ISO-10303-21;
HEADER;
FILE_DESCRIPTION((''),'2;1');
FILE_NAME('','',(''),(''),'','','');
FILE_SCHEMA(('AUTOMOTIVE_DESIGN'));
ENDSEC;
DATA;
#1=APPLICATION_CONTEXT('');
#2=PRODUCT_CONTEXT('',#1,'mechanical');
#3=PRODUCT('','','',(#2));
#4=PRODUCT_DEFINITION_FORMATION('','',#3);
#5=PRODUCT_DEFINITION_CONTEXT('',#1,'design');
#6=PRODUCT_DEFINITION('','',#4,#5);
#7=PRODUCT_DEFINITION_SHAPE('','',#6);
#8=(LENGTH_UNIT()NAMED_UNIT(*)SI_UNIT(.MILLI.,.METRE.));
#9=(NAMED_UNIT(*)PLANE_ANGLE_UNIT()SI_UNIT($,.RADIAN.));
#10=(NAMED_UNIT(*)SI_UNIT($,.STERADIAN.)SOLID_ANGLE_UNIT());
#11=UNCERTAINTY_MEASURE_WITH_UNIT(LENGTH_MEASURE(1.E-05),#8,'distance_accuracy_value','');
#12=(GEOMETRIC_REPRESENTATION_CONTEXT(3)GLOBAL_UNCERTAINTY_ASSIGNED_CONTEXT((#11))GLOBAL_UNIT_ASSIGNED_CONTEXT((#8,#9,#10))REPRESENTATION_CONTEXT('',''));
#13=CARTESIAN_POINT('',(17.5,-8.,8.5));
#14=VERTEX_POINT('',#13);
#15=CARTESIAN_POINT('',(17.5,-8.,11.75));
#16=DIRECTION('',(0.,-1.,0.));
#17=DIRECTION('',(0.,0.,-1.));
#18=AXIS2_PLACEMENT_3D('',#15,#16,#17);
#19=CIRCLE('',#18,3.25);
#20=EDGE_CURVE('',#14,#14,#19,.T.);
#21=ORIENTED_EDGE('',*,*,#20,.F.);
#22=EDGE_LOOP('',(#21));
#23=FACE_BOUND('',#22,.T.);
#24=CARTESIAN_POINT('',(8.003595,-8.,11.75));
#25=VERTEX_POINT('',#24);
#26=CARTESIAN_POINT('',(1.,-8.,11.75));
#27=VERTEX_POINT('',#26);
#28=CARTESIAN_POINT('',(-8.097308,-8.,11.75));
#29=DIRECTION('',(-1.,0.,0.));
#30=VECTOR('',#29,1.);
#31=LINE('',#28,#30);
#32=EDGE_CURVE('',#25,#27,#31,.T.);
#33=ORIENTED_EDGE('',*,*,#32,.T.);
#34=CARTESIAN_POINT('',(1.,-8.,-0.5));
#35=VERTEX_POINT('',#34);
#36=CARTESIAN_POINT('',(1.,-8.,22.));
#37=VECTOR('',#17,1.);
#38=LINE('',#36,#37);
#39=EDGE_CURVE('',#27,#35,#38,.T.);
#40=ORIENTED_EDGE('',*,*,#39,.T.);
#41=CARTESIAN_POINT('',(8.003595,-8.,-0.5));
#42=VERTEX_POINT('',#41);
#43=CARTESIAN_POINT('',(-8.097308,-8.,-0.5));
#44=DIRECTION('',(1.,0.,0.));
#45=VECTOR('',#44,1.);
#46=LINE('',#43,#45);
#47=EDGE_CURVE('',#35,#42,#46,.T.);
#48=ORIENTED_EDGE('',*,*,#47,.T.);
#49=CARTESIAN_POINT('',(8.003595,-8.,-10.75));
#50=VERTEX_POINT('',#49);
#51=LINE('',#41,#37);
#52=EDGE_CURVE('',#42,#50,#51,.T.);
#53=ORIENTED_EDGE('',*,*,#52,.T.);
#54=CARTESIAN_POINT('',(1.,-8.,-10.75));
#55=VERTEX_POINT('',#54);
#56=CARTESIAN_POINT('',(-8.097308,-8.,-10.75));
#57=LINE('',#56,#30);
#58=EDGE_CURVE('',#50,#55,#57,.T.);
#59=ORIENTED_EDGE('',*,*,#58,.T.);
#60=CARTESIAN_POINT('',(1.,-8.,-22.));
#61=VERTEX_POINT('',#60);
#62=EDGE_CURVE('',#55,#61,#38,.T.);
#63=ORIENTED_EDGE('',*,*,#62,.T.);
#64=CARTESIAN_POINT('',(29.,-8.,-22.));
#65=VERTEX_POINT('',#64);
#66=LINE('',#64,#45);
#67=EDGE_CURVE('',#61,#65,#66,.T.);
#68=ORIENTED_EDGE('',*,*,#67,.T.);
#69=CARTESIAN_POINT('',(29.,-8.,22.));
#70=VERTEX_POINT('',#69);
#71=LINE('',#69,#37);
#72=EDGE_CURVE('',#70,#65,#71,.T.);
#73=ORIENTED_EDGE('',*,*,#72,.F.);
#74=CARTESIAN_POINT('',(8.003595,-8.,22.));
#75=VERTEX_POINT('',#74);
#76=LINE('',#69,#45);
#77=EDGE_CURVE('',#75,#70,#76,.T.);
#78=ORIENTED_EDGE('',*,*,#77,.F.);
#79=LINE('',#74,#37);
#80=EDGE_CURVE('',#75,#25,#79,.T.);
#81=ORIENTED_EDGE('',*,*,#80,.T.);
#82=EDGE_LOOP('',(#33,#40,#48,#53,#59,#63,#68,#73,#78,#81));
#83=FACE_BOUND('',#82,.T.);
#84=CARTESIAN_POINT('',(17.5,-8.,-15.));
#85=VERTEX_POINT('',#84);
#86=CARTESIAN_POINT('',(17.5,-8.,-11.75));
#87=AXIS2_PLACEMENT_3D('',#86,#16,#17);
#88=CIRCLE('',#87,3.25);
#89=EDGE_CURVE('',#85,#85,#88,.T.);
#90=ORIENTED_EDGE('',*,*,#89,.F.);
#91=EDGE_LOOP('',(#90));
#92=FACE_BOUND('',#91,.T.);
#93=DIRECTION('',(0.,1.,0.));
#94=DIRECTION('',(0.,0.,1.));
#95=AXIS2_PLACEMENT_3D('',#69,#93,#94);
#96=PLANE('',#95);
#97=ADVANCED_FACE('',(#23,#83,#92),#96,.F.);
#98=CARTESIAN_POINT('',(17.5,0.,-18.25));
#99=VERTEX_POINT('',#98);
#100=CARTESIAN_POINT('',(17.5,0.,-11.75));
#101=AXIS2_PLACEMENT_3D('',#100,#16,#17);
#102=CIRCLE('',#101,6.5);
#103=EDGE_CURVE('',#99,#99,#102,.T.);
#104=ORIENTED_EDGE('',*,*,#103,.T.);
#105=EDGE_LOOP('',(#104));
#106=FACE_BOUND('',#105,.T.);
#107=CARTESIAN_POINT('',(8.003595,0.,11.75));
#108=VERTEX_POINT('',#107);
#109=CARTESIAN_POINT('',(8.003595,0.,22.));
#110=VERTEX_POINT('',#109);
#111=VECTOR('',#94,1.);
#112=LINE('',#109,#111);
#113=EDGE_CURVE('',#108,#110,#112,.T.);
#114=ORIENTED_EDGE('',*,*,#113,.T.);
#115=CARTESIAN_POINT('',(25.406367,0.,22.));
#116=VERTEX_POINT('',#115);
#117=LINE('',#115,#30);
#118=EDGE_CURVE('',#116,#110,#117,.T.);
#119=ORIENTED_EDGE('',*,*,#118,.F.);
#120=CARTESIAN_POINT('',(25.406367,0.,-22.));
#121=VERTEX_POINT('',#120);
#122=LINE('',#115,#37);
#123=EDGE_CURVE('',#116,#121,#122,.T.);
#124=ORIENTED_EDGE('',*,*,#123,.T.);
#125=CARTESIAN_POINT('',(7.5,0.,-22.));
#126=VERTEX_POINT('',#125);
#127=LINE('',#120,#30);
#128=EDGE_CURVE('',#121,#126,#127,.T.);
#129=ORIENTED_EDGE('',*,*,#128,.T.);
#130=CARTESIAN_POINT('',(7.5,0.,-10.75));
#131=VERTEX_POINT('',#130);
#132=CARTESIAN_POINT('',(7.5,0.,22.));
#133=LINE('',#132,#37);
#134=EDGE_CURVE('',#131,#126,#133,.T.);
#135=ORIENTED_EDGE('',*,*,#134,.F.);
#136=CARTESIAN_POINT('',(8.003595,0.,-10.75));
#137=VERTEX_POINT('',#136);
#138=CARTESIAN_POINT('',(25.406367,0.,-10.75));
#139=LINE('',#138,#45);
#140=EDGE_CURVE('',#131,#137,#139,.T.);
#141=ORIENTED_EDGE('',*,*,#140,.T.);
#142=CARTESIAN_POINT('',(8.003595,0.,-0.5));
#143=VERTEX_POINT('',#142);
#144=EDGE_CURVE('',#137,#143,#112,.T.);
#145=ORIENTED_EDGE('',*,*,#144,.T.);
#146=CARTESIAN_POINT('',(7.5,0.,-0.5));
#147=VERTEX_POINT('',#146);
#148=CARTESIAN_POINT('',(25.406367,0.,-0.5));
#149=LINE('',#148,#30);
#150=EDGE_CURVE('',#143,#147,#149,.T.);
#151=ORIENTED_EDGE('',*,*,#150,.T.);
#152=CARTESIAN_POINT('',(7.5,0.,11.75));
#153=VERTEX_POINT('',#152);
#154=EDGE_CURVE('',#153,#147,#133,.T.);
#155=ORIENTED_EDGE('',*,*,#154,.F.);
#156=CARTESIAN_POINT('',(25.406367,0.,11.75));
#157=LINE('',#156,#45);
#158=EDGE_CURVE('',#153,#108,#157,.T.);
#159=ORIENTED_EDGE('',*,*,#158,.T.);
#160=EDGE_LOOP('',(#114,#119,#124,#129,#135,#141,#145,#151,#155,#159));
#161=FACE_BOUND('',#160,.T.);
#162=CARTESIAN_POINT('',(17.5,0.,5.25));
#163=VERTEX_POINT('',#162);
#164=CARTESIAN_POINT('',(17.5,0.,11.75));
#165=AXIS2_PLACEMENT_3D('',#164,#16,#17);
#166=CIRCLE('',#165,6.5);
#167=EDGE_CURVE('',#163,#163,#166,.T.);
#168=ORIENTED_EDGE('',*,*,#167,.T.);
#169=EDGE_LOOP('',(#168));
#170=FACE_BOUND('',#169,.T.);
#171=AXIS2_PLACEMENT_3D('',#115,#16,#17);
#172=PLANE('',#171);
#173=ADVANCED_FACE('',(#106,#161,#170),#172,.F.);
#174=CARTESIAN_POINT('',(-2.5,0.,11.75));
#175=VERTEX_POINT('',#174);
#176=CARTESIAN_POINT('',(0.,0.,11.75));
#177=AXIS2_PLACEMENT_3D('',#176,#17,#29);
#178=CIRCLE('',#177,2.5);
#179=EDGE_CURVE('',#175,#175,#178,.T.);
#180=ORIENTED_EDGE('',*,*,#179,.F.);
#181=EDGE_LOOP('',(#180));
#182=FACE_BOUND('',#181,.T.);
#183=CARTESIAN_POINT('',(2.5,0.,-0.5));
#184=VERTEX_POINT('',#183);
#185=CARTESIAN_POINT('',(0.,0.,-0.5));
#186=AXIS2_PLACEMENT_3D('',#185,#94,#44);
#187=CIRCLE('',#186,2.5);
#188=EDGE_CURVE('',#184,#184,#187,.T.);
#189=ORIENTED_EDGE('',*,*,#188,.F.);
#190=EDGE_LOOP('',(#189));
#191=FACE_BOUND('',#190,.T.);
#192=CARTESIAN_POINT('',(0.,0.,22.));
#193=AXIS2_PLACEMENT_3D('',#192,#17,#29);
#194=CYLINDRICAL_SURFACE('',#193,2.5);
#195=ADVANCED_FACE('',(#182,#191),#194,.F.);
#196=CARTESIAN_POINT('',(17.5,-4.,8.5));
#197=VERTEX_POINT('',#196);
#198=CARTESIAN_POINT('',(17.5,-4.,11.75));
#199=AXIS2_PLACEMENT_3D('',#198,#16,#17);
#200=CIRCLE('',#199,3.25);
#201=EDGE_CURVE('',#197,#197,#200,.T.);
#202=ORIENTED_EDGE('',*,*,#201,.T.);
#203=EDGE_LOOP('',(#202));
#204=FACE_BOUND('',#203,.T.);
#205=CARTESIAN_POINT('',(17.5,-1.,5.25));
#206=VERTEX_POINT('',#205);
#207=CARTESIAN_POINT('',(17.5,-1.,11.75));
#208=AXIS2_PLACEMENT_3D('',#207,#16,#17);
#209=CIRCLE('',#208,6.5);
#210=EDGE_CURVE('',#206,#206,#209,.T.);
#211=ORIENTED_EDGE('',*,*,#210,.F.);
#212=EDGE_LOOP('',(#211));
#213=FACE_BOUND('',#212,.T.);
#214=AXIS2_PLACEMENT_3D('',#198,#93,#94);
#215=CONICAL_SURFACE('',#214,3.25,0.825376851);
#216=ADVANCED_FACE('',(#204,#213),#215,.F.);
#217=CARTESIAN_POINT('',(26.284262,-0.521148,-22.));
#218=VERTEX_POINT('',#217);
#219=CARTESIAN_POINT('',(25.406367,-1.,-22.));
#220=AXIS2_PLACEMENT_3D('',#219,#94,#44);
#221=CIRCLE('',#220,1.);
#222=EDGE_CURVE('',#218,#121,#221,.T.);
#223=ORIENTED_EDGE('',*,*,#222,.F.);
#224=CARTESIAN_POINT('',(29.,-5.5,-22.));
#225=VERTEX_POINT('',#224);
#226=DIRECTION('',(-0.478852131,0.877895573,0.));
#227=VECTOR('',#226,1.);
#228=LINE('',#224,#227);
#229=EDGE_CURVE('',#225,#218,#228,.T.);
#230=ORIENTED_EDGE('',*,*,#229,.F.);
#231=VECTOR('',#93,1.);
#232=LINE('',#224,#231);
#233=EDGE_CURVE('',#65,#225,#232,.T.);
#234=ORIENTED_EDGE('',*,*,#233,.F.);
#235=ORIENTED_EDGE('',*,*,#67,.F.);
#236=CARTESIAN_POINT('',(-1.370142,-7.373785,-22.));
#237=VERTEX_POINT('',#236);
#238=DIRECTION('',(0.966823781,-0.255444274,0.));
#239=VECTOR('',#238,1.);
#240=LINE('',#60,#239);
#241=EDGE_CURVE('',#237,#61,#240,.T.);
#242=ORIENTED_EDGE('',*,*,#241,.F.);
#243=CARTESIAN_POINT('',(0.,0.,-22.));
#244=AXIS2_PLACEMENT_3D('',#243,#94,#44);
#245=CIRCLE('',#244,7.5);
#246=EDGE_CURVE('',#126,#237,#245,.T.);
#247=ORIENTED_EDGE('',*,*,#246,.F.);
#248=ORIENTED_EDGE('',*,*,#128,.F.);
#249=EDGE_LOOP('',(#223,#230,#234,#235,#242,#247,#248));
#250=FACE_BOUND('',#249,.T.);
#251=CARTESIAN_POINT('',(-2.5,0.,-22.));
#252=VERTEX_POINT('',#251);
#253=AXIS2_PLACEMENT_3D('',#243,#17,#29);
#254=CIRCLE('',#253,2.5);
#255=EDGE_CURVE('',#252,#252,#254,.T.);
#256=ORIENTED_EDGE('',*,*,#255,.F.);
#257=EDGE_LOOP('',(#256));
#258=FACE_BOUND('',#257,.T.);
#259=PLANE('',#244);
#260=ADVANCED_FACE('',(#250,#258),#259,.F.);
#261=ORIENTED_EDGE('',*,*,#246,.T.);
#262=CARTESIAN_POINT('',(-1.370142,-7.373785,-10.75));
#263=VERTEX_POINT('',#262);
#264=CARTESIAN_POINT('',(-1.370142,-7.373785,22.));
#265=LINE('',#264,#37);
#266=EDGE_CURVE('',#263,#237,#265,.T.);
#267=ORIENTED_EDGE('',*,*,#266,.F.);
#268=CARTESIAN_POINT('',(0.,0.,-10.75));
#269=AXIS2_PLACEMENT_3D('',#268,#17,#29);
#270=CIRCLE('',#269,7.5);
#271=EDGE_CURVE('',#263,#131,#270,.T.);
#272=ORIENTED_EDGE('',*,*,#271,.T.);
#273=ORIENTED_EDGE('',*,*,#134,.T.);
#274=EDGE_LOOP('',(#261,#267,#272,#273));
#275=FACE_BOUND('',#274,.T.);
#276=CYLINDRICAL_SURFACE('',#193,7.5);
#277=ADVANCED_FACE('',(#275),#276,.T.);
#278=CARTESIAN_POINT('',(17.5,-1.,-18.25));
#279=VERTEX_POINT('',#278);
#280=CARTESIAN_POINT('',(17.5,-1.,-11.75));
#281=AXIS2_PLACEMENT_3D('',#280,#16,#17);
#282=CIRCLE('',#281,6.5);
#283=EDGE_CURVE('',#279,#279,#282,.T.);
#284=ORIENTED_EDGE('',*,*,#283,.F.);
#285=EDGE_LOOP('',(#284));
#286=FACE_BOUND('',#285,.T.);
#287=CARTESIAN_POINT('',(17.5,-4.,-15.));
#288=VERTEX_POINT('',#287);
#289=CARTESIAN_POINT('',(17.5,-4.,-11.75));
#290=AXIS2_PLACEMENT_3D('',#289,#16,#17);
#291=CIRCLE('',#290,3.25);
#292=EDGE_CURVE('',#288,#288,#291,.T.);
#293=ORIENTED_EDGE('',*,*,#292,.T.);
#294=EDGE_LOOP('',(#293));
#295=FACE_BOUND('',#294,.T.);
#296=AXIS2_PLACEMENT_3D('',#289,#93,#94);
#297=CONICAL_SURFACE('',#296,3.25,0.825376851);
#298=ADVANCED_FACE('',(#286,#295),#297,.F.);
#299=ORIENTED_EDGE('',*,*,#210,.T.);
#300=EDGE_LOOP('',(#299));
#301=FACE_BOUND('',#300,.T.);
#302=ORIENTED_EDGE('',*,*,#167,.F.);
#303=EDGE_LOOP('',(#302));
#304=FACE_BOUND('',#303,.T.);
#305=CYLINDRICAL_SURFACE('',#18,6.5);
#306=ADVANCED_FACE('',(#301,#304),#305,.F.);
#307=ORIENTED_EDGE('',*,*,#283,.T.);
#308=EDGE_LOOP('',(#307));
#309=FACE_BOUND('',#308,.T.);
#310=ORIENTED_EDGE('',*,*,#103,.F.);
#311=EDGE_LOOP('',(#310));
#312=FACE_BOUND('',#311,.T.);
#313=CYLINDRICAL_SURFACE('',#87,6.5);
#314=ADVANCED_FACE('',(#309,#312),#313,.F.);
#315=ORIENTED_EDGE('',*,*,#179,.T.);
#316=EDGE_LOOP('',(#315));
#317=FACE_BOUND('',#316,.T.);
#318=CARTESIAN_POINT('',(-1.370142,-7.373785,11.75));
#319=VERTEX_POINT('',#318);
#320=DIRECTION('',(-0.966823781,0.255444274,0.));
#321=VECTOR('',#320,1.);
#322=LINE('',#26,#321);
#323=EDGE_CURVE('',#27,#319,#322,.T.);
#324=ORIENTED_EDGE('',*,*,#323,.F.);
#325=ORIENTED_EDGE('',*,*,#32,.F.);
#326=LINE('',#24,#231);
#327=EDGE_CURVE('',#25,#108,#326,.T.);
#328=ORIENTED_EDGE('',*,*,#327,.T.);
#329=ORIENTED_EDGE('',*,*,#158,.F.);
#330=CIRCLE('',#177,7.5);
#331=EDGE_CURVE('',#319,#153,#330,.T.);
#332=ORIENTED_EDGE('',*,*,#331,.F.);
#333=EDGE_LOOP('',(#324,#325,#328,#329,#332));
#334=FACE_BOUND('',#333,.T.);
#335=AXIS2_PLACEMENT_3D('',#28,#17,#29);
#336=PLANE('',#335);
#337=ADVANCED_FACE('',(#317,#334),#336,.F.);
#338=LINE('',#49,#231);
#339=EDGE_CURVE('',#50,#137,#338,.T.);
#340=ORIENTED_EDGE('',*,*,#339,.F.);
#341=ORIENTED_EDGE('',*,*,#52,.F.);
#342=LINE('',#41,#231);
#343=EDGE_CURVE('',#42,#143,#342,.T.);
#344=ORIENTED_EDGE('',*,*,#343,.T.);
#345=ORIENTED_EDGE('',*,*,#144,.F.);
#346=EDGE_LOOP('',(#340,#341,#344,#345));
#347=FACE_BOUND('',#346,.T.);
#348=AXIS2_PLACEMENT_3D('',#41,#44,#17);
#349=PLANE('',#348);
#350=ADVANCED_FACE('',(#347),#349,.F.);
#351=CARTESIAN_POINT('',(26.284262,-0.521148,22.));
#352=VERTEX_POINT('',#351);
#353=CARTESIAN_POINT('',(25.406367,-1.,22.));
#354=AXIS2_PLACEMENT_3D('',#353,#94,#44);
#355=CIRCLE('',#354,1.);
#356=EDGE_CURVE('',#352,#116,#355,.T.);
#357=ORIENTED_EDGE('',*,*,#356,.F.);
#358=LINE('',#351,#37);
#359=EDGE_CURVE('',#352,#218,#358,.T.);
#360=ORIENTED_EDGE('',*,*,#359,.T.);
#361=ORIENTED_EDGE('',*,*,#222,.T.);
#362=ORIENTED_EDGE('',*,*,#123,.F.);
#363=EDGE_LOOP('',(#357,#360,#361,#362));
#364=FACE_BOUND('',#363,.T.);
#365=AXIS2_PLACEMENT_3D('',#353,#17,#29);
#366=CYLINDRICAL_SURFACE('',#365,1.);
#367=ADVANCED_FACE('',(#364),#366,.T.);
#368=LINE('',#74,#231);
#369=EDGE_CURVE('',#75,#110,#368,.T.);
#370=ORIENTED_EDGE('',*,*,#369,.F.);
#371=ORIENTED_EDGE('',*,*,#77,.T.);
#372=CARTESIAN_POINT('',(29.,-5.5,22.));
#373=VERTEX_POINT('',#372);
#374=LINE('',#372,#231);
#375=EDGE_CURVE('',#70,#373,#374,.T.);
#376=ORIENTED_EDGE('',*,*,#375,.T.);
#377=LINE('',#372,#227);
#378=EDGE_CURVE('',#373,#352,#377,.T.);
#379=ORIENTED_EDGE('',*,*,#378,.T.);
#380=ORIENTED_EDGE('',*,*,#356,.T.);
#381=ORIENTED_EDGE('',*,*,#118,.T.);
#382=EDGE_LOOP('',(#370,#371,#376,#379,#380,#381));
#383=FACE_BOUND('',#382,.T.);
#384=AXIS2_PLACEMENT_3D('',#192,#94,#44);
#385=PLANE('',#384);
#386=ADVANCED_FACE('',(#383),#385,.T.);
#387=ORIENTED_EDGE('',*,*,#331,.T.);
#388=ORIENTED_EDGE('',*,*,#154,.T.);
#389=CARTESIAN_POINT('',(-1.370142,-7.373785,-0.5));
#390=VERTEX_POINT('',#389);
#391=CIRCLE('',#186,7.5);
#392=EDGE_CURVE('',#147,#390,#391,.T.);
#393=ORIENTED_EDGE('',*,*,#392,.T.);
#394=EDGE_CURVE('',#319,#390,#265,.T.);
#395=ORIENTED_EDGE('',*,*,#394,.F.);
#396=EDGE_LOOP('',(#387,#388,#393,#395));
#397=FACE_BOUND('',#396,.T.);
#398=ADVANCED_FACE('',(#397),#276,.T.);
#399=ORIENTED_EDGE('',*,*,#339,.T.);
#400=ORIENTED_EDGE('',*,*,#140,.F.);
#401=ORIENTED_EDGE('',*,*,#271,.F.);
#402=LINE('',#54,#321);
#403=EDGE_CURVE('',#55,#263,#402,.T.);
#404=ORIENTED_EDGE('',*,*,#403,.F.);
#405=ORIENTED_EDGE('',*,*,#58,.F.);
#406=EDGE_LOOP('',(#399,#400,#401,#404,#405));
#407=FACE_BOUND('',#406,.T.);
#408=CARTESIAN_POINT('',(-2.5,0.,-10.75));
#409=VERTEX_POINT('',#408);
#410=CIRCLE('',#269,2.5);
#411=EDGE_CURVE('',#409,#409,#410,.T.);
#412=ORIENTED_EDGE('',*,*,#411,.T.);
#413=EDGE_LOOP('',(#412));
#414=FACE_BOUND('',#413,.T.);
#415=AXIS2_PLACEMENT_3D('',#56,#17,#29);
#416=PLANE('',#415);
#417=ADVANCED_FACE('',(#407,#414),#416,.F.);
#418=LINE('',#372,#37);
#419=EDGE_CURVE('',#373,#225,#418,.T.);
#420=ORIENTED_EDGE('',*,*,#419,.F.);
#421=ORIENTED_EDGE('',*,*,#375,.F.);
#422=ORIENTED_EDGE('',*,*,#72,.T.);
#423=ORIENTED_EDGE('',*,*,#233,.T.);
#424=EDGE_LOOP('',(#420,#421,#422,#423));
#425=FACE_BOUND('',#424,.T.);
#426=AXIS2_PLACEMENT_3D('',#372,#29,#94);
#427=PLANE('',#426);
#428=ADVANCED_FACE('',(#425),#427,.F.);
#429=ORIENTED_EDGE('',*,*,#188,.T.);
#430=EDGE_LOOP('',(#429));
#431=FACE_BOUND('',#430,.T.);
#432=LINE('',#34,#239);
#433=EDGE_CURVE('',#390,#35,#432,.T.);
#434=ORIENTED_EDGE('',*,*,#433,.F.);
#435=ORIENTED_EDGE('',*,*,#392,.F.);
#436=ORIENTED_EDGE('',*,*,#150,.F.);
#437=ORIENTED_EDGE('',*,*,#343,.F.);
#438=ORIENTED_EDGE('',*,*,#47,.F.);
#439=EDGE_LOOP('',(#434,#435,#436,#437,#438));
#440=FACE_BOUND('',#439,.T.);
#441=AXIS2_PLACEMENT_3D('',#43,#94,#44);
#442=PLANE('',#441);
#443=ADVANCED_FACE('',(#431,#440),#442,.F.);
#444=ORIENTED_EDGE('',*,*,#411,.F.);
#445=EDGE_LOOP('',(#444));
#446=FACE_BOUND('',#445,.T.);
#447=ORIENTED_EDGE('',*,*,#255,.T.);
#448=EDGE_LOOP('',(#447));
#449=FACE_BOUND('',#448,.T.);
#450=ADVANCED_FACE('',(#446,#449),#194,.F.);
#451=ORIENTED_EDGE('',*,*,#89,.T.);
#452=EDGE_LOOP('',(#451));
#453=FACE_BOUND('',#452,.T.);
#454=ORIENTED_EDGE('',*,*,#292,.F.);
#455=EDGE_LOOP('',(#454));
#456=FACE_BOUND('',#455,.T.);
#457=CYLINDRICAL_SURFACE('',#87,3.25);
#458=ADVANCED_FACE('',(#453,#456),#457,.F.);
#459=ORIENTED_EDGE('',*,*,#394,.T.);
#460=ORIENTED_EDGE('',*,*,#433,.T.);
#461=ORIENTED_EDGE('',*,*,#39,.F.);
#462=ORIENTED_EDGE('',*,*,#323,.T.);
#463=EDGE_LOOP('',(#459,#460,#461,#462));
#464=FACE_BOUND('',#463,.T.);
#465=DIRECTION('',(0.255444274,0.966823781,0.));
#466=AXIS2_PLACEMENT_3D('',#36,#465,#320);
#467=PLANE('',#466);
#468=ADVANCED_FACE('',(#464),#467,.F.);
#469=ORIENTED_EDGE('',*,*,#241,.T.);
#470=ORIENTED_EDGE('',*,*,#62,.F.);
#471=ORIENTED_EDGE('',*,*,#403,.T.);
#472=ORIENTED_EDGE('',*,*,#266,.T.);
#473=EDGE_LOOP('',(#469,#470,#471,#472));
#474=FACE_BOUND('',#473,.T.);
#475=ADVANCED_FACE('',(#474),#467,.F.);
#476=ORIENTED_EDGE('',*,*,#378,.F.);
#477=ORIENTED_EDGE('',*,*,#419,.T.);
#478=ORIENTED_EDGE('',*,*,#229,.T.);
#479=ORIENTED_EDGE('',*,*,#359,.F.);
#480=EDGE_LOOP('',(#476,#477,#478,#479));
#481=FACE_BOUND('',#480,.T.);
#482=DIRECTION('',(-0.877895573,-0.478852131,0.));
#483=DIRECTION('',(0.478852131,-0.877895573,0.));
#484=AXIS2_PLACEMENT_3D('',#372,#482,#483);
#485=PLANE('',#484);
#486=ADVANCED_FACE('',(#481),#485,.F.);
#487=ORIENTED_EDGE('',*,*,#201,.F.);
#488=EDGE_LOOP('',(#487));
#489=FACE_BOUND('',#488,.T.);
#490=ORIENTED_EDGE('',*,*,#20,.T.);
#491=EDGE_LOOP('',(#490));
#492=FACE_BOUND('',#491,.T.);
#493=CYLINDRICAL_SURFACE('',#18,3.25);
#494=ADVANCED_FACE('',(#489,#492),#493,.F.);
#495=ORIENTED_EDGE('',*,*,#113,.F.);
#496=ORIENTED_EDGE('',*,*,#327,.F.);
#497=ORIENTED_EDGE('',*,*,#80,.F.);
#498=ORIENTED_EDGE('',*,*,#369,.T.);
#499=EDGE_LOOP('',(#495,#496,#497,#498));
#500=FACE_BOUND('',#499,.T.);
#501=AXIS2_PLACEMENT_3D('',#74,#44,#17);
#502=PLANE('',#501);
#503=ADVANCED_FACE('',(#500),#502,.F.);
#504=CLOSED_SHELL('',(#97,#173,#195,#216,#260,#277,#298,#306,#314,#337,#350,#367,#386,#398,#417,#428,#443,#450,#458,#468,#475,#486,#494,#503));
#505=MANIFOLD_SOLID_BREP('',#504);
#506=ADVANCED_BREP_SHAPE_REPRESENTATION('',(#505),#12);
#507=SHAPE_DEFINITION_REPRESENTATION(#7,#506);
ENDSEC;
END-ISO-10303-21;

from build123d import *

# Parameters (mm, degrees)
EXTRUDE_1_DEPTH          = 22
PATTERN_LINEAR_1_COUNT   = 2
PATTERN_LINEAR_1_PITCH   = 23.5
CUT_EXTRUDE_1_DEPTH      = 38.269290307
CUT_EXTRUDE_1_DEPTH_BACK = 38.269290307
SKETCH_4_W               = 16.100903004
SKETCH_4_H               = 10.25
SKETCH_5_R               = 2.5
CUT_EXTRUDE_2_DEPTH      = 54.301031885


with BuildPart() as part:
    # 草图1 → 凸台-拉伸1 (new, symmetric)
    with BuildSketch(Plane.XY):
        with BuildLine():
            Line((29, -5.5), (29, -8))
            Line((29, -8), (1, -8))
            Line((1, -8), (-1.370141735, -7.373785434))
            ThreePointArc((-1.370141735, -7.373785434), (-4.794472702, 5.767411162), (7.5, 0))
            Line((7.5, 0), (25.406366901, 0))
            ThreePointArc((25.406366901, 0), (25.916831332, -0.140101131), (26.284262474, -0.521147869))
            Line((26.284262474, -0.521147869), (29, -5.5))
        make_face()
    extrude(amount=EXTRUDE_1_DEPTH, both=True)

    # 草图3 → 切除-旋转1 (revolve, cut)
    with BuildSketch(Plane.XY.offset(11.75), mode=Mode.PRIVATE) as cut_revolve_1_sk:
        Polygon((24, 0), (17.5, 0), (17.5, -8), (20.75, -8), (20.75, -4), (24, -1), align=None)
    cut_revolve_1 = revolve(cut_revolve_1_sk.sketch.rotate(Axis((17.5, -8, 11.75), (0, 1, 0)), 90), axis=Axis((17.5, -8, 11.75), (0, 1, 0)), mode=Mode.SUBTRACT)

    # 阵列(线性)1: 切除-旋转1 ×2
    with Locations(*[(0, 0, -i * PATTERN_LINEAR_1_PITCH) for i in range(1, PATTERN_LINEAR_1_COUNT)]):
        add(cut_revolve_1, mode=Mode.SUBTRACT)

    # 草图4 → 切除-拉伸1 (cut, two sides: drawn at the far end of the back side and taken through both)
    with BuildSketch(Plane(origin=(0, 0, 0), x_dir=(1, 0, 0), z_dir=(0, 1, 0)).offset(-CUT_EXTRUDE_1_DEPTH_BACK)):
        with Locations((-0.04685673, -16.875)):
            Rectangle(SKETCH_4_W, SKETCH_4_H)
        with Locations((-0.04685673, 5.625)):
            Rectangle(SKETCH_4_W, SKETCH_4_H)
    extrude(amount=CUT_EXTRUDE_1_DEPTH + CUT_EXTRUDE_1_DEPTH_BACK, mode=Mode.SUBTRACT)

    # 草图5 → 切除-拉伸2 (cut, through all)
    with BuildSketch(Plane(origin=(0, 0, -22), x_dir=(-1, 0, 0), z_dir=(0, 0, -1))):
        Circle(SKETCH_5_R)
    extrude(amount=-CUT_EXTRUDE_2_DEPTH, mode=Mode.SUBTRACT)


solid = part.part
